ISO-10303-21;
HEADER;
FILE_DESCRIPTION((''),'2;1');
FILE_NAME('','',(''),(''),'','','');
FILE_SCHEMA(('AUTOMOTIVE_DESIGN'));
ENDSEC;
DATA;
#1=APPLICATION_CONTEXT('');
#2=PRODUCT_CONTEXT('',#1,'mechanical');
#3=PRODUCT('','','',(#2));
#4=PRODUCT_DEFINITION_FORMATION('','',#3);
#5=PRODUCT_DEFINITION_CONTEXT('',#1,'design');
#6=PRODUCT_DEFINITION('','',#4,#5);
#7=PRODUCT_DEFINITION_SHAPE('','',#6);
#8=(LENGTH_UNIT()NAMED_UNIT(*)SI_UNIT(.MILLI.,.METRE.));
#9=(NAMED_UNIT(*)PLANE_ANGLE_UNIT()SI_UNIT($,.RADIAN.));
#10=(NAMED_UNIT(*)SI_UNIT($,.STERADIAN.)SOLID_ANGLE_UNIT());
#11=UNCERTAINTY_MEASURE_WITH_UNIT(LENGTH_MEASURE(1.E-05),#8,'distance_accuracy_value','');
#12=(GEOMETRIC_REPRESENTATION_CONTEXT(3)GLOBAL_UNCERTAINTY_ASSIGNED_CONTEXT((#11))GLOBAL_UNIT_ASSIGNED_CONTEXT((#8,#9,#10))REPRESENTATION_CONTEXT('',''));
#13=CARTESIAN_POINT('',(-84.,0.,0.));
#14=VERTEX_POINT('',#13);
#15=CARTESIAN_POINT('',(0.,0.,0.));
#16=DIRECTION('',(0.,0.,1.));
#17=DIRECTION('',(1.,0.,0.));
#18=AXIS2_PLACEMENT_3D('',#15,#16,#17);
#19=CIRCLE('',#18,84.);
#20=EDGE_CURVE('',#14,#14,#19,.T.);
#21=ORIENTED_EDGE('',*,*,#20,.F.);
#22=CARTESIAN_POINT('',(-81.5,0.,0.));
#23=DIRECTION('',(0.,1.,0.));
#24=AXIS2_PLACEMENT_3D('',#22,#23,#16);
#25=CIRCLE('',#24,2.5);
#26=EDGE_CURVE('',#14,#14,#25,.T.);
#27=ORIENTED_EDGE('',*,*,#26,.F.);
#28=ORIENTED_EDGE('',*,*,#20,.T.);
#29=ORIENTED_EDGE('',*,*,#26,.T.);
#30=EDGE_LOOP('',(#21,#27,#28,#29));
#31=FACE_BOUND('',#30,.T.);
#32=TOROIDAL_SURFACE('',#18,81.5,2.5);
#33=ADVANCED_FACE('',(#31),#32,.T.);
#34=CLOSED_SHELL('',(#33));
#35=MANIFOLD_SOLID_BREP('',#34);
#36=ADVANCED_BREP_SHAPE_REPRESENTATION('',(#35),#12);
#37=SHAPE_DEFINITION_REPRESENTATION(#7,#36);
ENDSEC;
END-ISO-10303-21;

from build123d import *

# Parameters (mm, degrees)
SZKIC2_R = 2.5


with BuildPart() as part:
    # Wyciągnięcie po ścieżce1: sweep along a path in Szkic1
    with BuildLine(Plane.XY) as wyci_gni_cie_po_cie_ce1_path:
        CenterArc((0, 0), 79, 0, 360)
    # Szkic2 → Wyciągnięcie po ścieżce1 (sweep)
    with BuildSketch(Plane(origin=(0, 0, 0), x_dir=(1, 0, 0), z_dir=(0, 1, 0))):
        with Locations((-81.5, 0)):
            Circle(SZKIC2_R)
    sweep(path=wyci_gni_cie_po_cie_ce1_path.line)


solid = part.part
